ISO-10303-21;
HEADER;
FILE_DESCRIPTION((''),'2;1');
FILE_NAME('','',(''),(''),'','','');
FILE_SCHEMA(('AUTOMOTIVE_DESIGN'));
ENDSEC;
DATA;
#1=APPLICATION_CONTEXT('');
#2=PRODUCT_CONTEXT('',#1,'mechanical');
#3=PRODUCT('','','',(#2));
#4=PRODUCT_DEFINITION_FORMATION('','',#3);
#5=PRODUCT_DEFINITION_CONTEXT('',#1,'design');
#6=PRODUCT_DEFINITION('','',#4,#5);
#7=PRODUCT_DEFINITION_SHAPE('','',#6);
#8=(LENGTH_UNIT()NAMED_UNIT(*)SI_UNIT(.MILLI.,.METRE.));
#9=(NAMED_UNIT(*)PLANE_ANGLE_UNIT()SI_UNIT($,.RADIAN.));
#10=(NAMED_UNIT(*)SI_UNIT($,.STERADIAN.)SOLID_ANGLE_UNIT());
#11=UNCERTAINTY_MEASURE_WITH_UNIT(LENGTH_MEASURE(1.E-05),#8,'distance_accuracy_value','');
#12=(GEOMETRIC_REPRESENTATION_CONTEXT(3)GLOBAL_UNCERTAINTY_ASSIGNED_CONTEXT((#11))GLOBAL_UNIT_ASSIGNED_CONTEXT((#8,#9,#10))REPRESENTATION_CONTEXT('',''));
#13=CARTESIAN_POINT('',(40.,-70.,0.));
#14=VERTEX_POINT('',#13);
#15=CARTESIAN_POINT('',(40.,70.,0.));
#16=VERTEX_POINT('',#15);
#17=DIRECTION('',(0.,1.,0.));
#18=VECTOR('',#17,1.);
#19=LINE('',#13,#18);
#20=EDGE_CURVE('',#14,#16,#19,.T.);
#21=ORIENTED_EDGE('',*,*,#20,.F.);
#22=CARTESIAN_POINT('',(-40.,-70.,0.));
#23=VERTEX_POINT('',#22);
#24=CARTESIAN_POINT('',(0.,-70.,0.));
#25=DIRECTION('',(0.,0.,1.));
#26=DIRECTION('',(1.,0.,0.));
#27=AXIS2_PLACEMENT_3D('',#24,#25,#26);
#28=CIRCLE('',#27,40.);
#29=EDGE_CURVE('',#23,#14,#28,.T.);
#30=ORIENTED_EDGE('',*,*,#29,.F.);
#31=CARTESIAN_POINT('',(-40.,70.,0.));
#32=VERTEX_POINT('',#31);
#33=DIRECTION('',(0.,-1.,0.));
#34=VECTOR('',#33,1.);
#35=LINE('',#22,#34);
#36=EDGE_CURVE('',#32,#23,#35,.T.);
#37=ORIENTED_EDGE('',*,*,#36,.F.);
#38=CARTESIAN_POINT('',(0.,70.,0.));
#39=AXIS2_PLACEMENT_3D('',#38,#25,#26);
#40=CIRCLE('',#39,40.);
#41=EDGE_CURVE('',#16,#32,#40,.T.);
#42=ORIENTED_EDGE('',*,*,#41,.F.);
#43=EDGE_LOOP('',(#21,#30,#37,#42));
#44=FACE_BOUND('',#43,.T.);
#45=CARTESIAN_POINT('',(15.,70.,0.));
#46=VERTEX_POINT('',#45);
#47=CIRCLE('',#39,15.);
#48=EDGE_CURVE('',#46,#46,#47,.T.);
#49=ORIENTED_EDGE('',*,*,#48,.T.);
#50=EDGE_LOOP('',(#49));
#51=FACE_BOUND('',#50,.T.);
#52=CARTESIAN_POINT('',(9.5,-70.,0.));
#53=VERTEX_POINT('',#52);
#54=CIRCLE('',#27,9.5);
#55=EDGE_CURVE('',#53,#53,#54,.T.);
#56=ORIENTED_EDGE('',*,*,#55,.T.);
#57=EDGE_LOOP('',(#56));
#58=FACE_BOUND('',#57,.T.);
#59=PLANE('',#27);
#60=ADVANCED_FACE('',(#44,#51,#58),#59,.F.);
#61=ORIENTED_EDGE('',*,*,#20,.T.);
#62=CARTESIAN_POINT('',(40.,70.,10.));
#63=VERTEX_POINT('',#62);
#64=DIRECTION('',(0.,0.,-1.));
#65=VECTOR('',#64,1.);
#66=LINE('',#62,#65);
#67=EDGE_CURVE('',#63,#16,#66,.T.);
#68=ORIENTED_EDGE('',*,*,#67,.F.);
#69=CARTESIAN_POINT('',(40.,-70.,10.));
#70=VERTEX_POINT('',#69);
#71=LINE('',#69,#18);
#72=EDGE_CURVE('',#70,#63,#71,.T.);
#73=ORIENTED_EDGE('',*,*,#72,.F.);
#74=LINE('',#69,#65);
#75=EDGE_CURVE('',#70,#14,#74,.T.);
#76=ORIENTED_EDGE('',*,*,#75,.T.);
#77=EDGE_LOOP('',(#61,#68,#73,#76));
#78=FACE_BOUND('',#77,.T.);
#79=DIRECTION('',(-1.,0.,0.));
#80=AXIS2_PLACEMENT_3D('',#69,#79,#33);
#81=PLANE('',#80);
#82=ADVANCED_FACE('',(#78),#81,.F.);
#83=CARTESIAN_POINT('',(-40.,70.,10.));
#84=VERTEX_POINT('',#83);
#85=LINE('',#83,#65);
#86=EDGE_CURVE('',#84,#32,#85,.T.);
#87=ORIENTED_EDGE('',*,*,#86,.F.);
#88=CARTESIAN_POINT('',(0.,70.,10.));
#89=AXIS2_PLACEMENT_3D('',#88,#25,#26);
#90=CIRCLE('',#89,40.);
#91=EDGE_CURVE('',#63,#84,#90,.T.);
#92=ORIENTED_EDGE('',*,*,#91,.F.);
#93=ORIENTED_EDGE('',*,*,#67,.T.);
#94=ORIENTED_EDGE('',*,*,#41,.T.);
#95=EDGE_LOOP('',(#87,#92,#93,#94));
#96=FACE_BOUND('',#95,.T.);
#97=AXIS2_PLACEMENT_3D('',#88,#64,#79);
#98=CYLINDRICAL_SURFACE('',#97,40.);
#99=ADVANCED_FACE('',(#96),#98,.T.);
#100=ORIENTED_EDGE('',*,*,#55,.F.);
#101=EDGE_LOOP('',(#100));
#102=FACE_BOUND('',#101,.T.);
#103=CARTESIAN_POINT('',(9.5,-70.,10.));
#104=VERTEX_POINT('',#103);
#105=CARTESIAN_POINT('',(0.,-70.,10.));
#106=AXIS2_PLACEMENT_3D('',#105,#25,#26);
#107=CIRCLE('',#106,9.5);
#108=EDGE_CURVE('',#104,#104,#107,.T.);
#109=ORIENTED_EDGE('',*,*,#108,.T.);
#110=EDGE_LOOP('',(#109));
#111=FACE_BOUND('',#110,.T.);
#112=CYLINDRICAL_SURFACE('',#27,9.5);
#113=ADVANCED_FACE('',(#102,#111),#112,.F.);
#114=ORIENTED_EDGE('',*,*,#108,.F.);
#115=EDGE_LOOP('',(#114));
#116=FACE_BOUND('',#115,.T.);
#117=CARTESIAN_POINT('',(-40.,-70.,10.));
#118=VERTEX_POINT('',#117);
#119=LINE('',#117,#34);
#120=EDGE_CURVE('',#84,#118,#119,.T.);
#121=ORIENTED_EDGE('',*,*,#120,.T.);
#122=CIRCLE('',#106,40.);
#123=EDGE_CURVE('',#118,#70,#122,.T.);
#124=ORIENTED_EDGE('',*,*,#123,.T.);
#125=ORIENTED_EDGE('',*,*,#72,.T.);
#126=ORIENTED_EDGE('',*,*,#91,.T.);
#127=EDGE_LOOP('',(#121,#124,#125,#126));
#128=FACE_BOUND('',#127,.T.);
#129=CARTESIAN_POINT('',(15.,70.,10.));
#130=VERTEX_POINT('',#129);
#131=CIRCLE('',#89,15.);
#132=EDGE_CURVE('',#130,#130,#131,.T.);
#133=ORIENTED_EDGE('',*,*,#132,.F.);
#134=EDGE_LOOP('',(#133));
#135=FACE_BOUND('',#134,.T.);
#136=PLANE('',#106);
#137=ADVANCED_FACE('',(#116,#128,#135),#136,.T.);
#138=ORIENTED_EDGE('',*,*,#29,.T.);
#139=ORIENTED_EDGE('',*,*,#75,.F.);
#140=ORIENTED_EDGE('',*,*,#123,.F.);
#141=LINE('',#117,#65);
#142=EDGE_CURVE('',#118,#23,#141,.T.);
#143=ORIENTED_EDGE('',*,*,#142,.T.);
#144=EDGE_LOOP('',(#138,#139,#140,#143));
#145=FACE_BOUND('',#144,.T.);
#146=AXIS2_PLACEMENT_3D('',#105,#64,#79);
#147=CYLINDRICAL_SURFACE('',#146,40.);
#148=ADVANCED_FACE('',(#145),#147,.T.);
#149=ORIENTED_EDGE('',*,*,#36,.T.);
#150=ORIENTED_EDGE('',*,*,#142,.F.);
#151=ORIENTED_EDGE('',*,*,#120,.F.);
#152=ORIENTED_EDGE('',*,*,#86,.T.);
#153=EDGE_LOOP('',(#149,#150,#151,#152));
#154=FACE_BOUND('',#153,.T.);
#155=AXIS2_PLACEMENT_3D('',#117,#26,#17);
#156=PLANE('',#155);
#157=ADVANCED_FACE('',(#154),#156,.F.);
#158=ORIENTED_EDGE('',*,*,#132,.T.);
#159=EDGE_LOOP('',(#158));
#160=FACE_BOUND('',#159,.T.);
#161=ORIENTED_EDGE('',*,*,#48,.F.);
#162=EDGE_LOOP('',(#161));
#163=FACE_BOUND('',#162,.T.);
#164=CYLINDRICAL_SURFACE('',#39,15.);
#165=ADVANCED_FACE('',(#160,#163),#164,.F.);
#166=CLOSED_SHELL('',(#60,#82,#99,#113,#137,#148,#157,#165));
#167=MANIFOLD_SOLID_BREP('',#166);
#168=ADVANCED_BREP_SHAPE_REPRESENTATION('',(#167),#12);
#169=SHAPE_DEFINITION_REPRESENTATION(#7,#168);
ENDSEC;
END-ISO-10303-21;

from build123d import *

# Parameters (mm, degrees)
BOSS_EXTRUDE1_DEPTH = 10
SKETCH2_R           = 15
SKETCH2_R_2         = 9.5
CUT_EXTRUDE1_DEPTH  = 10


with BuildPart() as part:
    # Sketch1 → Boss-Extrude1 (new body)
    with BuildSketch(Plane.XY):
        with BuildLine():
            Line((-40, -70), (-40, 70))
            ThreePointArc((-40, 70), (0, 110), (40, 70))
            Line((40, 70), (40, -70))
            ThreePointArc((40, -70), (0, -110), (-40, -70))
        make_face()
    extrude(amount=BOSS_EXTRUDE1_DEPTH)

    # Sketch2 → Cut-Extrude1 (cut)
    with BuildSketch(Plane.XY.offset(10)):
        with Locations((0, 70)):
            Circle(SKETCH2_R)
        with Locations((0, -70)):
            Circle(SKETCH2_R_2)
    extrude(amount=-CUT_EXTRUDE1_DEPTH, mode=Mode.SUBTRACT)


solid = part.part
